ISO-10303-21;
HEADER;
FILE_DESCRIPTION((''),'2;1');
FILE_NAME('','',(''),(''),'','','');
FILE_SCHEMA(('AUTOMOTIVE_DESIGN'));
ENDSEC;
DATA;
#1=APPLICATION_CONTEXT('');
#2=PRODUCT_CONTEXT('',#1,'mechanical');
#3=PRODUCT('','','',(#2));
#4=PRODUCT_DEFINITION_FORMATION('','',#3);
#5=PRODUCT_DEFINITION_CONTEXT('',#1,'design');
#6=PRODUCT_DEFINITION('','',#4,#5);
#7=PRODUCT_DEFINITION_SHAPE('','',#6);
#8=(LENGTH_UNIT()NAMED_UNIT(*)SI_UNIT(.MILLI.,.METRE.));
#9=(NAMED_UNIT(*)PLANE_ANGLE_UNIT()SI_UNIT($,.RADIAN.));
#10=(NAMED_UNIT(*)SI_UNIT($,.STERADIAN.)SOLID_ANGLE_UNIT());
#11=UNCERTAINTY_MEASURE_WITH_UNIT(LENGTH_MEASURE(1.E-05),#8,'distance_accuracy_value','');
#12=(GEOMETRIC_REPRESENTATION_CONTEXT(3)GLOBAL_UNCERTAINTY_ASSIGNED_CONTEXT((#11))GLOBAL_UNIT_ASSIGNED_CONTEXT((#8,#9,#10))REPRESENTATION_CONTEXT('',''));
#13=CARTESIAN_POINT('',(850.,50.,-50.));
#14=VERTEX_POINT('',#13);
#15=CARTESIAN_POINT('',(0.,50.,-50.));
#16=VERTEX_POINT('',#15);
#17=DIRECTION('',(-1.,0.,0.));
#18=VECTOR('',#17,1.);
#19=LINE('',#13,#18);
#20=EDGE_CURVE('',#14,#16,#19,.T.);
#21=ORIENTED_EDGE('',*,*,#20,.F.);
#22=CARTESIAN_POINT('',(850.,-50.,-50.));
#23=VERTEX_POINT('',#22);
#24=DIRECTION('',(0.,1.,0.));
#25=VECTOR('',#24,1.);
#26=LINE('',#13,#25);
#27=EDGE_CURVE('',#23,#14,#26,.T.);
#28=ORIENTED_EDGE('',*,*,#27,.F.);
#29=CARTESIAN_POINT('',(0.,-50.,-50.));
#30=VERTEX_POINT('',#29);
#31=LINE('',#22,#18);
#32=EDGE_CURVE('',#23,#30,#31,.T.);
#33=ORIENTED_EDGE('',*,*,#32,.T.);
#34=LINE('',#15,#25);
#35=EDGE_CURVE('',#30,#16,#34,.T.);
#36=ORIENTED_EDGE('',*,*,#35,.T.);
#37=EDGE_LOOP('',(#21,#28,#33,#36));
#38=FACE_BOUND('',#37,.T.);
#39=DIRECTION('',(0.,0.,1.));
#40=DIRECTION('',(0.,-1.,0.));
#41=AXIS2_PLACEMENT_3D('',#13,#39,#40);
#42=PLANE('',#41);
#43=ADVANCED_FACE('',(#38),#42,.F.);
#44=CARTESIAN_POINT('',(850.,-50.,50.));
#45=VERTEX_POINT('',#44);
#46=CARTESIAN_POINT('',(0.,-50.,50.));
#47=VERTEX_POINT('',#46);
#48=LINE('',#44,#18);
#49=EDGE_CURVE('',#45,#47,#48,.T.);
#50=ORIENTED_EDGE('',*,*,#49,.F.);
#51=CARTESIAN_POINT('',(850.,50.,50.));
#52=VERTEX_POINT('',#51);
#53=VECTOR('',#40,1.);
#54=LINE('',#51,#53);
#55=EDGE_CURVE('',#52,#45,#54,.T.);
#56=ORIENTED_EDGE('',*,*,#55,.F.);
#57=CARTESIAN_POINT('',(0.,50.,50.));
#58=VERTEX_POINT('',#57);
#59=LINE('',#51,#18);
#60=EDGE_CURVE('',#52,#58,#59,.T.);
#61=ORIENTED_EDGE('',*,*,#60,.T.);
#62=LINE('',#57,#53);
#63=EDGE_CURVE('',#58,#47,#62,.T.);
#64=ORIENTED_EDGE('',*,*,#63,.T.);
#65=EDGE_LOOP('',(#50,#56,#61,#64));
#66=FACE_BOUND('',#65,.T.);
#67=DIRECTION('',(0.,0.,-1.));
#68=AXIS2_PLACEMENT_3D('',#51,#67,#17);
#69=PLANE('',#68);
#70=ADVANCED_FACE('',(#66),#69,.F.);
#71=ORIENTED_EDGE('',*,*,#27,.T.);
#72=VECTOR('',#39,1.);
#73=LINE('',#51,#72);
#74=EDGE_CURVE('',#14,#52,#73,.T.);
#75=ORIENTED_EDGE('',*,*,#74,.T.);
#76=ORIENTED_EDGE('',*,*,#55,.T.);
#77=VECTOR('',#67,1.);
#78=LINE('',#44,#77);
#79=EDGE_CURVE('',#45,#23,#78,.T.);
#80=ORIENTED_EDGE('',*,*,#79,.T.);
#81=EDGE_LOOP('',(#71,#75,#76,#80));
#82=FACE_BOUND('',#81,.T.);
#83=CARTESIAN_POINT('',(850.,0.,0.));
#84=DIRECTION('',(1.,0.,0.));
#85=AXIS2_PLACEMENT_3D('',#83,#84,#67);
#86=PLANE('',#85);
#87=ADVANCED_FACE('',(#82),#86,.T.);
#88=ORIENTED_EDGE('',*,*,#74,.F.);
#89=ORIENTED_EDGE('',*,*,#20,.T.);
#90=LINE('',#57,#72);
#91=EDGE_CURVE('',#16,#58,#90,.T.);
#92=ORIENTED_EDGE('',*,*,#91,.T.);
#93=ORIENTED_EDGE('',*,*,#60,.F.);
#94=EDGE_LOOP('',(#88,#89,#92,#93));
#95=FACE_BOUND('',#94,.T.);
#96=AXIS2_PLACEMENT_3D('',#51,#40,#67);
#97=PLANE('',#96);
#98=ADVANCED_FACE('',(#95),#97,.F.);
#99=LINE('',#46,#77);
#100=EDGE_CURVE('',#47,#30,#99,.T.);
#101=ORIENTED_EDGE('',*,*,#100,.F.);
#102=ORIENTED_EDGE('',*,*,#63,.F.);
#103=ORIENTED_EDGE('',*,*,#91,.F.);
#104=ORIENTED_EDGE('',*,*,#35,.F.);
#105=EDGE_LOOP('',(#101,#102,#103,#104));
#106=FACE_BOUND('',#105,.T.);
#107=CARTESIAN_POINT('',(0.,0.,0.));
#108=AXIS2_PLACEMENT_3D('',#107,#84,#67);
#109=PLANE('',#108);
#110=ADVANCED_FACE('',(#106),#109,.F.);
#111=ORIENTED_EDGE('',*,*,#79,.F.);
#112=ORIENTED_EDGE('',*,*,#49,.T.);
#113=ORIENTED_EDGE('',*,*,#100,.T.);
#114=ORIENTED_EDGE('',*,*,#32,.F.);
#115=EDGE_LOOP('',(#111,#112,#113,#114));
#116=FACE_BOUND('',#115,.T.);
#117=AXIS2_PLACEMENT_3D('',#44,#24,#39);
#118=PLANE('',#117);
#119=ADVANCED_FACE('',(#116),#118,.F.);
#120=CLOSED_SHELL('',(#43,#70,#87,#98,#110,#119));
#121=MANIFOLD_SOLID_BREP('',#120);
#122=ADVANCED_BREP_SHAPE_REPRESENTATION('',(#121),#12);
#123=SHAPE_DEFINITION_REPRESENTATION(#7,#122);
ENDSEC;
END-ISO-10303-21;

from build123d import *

# Parameters (mm, degrees)
SKETCH_1_W      = 100
SKETCH_1_H      = 100
EXTRUDE_1_DEPTH = 850


with BuildPart() as part:
    # Эскиз1 → Бобышка-Вытянуть1 (new body)
    with BuildSketch(Plane(origin=(0, 0, 0), x_dir=(0, 0, -1), z_dir=(1, 0, 0))):
        Rectangle(SKETCH_1_W, SKETCH_1_H)
    extrude(amount=EXTRUDE_1_DEPTH)


solid = part.part
